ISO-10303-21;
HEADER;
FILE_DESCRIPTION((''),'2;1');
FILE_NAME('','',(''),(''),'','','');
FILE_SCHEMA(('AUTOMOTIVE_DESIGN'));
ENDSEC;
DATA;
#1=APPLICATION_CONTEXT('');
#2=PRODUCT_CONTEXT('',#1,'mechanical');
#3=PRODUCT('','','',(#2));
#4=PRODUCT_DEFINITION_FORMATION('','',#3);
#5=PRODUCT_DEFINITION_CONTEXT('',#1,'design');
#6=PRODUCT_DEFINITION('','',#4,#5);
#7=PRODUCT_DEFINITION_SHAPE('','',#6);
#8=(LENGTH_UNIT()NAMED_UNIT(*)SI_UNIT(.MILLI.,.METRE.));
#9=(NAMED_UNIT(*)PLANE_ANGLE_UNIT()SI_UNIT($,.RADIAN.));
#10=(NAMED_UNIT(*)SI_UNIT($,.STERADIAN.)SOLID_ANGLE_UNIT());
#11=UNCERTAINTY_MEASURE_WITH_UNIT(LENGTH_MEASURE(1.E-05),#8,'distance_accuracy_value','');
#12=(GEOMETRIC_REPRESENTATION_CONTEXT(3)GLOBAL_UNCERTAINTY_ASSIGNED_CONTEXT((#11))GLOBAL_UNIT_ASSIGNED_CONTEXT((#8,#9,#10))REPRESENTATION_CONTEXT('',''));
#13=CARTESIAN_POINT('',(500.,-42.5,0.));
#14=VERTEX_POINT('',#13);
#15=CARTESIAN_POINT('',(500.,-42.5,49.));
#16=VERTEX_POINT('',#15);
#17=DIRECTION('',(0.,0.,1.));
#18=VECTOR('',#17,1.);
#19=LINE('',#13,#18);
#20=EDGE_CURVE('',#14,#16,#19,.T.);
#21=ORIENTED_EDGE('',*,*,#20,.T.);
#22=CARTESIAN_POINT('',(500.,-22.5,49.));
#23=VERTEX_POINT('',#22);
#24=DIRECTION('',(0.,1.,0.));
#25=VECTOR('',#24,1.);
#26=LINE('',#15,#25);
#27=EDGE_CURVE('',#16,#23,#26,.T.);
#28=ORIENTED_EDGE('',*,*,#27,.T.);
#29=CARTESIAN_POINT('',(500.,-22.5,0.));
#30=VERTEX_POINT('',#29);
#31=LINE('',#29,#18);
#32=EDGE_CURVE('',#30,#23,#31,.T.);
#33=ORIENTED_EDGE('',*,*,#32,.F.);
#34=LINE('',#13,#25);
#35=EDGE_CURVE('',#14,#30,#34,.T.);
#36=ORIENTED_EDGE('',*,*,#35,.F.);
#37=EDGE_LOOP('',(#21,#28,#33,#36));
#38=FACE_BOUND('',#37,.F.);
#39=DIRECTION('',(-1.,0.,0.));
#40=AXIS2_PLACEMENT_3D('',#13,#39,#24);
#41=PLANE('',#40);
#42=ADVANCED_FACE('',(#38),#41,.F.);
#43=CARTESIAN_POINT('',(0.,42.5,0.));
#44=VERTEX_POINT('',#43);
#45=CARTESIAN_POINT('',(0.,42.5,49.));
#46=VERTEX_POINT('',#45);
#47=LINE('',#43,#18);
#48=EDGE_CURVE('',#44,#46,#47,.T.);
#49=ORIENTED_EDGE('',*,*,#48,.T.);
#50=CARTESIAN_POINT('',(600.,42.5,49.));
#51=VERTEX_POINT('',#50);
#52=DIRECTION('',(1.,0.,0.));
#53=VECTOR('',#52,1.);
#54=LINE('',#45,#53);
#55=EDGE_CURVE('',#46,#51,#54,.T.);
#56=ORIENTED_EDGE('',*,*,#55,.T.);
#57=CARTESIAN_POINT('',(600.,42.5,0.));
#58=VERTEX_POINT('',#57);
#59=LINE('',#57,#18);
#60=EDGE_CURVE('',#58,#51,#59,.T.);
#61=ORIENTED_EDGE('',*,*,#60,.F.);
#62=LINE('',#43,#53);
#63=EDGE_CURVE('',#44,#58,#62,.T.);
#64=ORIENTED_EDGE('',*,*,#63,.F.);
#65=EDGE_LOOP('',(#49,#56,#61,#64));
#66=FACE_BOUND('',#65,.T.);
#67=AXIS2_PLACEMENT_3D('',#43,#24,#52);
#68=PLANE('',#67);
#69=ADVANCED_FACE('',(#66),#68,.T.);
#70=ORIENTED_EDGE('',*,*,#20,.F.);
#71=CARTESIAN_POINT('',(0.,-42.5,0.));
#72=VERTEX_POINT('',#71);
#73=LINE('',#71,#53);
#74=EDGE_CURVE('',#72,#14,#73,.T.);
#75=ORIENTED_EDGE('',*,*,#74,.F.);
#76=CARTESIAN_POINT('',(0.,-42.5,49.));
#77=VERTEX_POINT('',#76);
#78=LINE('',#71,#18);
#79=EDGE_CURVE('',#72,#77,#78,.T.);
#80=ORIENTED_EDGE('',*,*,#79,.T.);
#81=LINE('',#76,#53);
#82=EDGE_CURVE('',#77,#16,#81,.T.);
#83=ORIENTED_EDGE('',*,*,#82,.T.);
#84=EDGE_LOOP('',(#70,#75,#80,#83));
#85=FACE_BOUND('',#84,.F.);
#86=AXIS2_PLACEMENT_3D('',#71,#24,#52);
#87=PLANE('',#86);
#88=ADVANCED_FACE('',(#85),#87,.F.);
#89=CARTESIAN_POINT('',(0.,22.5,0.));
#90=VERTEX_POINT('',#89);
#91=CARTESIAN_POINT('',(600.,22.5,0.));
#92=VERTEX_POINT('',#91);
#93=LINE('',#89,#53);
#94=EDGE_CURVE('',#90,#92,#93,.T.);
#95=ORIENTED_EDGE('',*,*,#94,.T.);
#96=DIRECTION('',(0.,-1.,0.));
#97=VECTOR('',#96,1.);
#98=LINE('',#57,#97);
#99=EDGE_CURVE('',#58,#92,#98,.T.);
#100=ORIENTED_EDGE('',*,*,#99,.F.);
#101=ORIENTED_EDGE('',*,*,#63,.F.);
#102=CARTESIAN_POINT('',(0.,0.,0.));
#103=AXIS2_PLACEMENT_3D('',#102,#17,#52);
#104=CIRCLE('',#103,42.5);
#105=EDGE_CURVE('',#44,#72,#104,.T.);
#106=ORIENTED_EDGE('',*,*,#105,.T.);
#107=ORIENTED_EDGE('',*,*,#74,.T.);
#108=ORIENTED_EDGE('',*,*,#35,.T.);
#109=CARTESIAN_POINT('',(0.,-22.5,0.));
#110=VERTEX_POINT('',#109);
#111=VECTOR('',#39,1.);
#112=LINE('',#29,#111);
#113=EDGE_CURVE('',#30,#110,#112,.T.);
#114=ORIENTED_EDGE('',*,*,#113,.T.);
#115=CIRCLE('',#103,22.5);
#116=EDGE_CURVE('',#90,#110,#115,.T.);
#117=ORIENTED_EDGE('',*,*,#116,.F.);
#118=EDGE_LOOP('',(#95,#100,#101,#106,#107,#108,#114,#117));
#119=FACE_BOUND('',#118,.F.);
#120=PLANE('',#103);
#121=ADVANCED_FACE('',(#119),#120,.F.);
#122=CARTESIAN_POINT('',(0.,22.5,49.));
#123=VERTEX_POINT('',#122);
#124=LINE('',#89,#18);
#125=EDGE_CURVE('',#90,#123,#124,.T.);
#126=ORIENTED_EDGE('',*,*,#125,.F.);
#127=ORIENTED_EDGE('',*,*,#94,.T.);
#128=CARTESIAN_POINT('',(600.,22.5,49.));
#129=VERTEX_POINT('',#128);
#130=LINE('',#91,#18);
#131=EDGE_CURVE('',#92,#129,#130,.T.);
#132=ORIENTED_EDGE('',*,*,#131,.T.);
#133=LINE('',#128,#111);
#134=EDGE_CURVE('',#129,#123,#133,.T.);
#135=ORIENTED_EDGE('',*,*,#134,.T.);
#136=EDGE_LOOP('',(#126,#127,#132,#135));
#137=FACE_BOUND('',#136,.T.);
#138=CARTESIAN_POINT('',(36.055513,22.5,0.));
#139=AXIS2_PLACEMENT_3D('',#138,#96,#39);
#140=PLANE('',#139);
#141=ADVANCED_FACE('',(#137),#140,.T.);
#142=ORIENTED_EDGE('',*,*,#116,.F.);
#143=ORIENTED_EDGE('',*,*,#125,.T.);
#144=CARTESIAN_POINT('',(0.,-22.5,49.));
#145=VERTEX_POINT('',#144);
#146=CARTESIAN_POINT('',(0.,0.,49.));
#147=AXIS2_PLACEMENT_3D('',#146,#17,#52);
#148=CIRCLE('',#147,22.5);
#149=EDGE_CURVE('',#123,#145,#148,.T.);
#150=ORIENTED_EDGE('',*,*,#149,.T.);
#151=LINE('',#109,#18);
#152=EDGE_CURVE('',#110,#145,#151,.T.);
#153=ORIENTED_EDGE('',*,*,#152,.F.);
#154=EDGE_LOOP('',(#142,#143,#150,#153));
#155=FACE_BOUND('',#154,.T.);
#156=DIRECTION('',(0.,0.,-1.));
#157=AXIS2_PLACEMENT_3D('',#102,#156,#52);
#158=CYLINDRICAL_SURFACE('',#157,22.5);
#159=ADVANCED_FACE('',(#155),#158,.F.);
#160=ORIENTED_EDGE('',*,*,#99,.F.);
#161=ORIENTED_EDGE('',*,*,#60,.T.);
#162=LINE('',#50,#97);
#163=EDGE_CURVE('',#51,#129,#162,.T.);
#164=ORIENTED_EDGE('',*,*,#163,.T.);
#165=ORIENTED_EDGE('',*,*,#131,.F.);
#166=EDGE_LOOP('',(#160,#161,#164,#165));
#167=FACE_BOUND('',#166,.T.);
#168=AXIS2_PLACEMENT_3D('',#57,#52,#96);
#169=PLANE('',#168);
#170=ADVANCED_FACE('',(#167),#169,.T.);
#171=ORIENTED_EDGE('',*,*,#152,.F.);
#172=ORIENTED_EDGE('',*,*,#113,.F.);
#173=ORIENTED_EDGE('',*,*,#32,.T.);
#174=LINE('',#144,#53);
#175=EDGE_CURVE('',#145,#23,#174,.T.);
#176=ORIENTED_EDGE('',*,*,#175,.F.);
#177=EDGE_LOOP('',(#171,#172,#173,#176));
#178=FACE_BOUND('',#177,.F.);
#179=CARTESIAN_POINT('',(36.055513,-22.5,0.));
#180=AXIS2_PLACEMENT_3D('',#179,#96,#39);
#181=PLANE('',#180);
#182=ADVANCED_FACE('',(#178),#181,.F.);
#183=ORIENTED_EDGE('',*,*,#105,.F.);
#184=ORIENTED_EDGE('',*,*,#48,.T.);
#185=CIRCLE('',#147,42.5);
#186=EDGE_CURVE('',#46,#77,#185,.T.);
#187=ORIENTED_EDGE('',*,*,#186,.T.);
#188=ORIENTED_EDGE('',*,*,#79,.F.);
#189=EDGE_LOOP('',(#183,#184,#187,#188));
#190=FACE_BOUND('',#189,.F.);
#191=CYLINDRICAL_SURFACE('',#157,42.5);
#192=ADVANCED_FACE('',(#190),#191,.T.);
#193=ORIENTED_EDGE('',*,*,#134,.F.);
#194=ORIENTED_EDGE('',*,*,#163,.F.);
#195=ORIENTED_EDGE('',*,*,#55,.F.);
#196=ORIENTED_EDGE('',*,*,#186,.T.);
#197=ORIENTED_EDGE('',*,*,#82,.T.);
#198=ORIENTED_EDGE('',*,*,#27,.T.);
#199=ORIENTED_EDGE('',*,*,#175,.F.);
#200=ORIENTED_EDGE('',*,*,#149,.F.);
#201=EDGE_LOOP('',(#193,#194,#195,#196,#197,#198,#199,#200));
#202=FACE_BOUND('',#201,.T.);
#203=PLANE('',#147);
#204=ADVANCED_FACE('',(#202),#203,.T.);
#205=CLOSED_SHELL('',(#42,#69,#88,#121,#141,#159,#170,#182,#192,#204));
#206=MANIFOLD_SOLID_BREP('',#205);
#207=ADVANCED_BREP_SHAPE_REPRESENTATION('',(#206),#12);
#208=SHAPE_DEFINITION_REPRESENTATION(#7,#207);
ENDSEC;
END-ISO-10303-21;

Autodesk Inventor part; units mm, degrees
ref_plane "YZ Plane" through (0, 0, 0) normal (1, 0, 0) x (0, 1, 0)
ref_plane "XZ Plane" through (0, 0, 0) normal (0, 1, 0) x (-1, 0, 0)
ref_plane "XY Plane" through (0, 0, 0) normal (0, 0, 1) x (1, 0, 0)
sketch "Sketch1" plane through (0, 0, 0) normal (0, 0, 1) x (1, 0, 0)
  circle A0 centre (0, 0) radius 42.5
  line L0 (0, -42.5) -> (500, -42.5)
  line L1 (500, -42.5) -> (500, -22.5)
  line L2 (500, -22.5) -> (0, -22.5)
  line L3 (0, -22.5) -> (0, -42.5)
  line L4 (0, 42.5) -> (600, 42.5)
  line L5 (600, 42.5) -> (600, 22.5)
  line L6 (600, 22.5) -> (0, 22.5)
  line L7 (0, 22.5) -> (0, 42.5)
  circle A1 centre (0, 0) radius 22.5
  point P0 (0, -22.5)
  point P1 (0, 22.5)
  dimension "d0" = 85
  dimension "d1" = 20
  dimension "d2" = 20
  dimension "d4" = 500
  dimension "d9" = 600
extrude "Extrusion1" add sketch "Sketch1" along normal blind 49 contours L7 A1 L3 A0 | L4 L5 L6 A0 | A0 L6 L7 | L3 L2 A0 | A0 L2 L1 L0
properties part number "J15BF.1.40_Xaxis_A"
